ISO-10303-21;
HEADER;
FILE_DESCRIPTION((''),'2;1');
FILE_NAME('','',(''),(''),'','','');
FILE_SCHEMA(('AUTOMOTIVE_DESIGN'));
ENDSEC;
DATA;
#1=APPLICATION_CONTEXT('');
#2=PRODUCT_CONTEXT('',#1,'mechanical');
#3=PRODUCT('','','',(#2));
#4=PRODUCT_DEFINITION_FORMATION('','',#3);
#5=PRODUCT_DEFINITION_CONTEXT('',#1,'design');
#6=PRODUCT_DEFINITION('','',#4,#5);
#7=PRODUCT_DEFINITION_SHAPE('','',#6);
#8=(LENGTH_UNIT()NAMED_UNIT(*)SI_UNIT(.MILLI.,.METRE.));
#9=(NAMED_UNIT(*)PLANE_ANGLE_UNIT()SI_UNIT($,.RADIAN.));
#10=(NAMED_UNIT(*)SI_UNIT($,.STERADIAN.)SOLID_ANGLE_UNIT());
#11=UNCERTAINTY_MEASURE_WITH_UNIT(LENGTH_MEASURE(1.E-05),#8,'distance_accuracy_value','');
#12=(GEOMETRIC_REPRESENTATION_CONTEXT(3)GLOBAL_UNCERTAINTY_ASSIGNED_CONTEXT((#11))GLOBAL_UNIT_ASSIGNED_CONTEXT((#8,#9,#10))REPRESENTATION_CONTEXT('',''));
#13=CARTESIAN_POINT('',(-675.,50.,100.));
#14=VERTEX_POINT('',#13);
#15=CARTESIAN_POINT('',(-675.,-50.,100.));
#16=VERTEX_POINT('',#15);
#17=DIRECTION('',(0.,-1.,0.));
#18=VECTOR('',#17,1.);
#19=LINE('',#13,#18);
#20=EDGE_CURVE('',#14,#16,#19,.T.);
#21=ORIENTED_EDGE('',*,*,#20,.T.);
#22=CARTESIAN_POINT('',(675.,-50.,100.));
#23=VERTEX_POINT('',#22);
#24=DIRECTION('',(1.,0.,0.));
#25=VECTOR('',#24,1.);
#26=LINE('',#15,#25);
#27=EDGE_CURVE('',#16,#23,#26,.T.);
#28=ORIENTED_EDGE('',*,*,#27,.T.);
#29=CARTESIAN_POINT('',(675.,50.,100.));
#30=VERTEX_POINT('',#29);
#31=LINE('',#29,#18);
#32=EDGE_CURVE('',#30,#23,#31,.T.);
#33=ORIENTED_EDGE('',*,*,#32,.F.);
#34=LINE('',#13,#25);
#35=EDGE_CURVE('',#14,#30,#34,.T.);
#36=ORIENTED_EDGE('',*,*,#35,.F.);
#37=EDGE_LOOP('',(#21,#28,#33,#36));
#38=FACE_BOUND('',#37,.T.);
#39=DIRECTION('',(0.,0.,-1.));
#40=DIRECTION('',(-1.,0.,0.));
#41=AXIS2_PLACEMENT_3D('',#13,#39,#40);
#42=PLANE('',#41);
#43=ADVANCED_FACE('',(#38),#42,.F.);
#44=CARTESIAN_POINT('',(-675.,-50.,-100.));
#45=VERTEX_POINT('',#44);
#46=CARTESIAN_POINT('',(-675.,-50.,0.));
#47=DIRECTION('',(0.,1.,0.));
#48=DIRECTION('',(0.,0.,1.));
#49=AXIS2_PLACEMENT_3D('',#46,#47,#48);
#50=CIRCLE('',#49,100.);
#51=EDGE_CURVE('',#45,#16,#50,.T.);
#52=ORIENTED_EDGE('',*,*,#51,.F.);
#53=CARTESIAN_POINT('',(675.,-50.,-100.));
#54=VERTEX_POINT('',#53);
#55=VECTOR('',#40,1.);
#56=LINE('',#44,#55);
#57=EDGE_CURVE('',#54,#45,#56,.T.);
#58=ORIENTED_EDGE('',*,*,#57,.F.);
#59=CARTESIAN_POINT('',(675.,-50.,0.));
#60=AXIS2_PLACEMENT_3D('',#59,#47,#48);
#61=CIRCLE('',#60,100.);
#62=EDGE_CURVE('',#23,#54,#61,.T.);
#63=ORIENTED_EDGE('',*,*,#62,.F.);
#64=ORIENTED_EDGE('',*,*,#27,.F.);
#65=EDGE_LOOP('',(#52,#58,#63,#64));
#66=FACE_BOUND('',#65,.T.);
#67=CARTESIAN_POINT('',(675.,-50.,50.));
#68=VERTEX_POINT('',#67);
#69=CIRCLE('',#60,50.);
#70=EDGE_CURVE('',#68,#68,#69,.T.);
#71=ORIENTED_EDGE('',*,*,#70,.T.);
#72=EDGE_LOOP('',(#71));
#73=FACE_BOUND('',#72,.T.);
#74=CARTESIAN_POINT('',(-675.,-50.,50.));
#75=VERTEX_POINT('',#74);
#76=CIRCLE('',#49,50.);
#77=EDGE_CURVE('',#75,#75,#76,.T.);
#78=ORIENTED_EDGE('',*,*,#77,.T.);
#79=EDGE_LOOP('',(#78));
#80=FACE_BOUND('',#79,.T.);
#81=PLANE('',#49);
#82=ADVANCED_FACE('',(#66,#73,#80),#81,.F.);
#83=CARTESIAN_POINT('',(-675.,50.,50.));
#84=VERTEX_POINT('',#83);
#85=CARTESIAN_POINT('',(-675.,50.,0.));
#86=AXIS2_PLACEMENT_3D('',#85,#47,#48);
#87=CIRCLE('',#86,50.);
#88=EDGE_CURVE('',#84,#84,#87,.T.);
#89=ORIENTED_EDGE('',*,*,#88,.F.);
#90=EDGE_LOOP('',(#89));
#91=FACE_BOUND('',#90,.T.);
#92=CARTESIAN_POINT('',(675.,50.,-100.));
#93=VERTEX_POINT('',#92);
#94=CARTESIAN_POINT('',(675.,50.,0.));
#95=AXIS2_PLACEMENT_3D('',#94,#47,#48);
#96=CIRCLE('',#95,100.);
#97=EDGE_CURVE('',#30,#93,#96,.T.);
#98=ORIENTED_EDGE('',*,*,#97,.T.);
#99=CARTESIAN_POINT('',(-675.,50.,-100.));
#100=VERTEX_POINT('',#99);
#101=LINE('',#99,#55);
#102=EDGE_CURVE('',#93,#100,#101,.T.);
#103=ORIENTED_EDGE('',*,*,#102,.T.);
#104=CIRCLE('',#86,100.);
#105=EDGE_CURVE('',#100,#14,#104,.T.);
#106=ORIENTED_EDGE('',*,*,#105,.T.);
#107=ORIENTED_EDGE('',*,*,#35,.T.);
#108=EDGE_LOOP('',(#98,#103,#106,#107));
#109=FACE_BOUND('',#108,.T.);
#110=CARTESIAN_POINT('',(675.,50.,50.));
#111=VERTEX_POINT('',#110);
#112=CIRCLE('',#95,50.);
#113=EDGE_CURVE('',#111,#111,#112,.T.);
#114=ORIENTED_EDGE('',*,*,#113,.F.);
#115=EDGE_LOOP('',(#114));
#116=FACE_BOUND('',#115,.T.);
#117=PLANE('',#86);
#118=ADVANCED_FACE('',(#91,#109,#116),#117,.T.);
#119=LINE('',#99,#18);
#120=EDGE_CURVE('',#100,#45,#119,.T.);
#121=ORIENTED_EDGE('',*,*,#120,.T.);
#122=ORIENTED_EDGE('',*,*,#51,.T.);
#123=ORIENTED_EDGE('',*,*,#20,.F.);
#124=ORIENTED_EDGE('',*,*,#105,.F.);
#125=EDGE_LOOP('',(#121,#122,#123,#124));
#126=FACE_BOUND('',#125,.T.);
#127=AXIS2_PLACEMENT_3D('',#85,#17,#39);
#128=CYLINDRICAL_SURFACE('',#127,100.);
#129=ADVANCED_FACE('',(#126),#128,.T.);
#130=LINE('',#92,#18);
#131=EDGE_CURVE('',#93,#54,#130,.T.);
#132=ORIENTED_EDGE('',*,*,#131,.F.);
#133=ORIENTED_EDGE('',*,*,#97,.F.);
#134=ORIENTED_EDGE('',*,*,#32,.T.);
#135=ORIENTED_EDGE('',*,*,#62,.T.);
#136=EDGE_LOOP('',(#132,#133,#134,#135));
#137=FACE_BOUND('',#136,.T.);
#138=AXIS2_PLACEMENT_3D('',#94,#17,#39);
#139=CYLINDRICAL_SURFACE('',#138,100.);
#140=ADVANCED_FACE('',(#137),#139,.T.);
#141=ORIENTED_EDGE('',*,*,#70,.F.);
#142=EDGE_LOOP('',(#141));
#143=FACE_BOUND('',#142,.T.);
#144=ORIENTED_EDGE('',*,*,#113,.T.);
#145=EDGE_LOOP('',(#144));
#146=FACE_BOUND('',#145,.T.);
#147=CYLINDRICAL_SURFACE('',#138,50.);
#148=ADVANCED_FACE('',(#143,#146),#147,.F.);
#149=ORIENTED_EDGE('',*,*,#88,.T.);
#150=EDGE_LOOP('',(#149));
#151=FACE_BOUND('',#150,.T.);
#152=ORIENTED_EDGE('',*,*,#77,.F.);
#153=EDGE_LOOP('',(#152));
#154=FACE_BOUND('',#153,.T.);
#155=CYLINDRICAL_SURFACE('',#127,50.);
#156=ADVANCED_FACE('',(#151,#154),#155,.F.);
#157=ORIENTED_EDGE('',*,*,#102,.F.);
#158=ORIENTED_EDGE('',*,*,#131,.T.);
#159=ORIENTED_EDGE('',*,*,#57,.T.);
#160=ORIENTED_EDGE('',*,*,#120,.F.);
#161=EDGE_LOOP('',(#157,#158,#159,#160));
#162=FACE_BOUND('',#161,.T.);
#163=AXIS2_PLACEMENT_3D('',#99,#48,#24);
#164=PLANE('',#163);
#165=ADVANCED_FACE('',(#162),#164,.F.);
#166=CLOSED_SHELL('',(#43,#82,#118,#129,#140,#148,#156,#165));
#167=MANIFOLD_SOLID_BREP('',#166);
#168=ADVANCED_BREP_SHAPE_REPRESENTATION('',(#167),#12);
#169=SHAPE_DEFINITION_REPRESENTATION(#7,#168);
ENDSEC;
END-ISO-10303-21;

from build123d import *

# Parameters (mm, degrees)
SKETCH1_R           = 50
BOSS_EXTRUDE1_DEPTH = 50


with BuildPart() as part:
    # Sketch1 → Boss-Extrude1 (new, symmetric)
    with BuildSketch(Plane(origin=(0, 0, 0), x_dir=(1, 0, 0), z_dir=(0, 1, 0))):
        with BuildLine():
            Line((-675, 100), (675, 100))
            ThreePointArc((675, 100), (775, 0), (675, -100))
            Line((675, -100), (-675, -100))
            ThreePointArc((-675, -100), (-775, 0), (-675, 100))
        make_face()
        with Locations(Location((-675, 0, 0), (0, 0, 270))):
            Circle(SKETCH1_R, mode=Mode.SUBTRACT)
        with Locations(Location((675, 0, 0), (0, 0, 270))):
            Circle(SKETCH1_R, mode=Mode.SUBTRACT)
    extrude(amount=BOSS_EXTRUDE1_DEPTH, both=True)


solid = part.part
